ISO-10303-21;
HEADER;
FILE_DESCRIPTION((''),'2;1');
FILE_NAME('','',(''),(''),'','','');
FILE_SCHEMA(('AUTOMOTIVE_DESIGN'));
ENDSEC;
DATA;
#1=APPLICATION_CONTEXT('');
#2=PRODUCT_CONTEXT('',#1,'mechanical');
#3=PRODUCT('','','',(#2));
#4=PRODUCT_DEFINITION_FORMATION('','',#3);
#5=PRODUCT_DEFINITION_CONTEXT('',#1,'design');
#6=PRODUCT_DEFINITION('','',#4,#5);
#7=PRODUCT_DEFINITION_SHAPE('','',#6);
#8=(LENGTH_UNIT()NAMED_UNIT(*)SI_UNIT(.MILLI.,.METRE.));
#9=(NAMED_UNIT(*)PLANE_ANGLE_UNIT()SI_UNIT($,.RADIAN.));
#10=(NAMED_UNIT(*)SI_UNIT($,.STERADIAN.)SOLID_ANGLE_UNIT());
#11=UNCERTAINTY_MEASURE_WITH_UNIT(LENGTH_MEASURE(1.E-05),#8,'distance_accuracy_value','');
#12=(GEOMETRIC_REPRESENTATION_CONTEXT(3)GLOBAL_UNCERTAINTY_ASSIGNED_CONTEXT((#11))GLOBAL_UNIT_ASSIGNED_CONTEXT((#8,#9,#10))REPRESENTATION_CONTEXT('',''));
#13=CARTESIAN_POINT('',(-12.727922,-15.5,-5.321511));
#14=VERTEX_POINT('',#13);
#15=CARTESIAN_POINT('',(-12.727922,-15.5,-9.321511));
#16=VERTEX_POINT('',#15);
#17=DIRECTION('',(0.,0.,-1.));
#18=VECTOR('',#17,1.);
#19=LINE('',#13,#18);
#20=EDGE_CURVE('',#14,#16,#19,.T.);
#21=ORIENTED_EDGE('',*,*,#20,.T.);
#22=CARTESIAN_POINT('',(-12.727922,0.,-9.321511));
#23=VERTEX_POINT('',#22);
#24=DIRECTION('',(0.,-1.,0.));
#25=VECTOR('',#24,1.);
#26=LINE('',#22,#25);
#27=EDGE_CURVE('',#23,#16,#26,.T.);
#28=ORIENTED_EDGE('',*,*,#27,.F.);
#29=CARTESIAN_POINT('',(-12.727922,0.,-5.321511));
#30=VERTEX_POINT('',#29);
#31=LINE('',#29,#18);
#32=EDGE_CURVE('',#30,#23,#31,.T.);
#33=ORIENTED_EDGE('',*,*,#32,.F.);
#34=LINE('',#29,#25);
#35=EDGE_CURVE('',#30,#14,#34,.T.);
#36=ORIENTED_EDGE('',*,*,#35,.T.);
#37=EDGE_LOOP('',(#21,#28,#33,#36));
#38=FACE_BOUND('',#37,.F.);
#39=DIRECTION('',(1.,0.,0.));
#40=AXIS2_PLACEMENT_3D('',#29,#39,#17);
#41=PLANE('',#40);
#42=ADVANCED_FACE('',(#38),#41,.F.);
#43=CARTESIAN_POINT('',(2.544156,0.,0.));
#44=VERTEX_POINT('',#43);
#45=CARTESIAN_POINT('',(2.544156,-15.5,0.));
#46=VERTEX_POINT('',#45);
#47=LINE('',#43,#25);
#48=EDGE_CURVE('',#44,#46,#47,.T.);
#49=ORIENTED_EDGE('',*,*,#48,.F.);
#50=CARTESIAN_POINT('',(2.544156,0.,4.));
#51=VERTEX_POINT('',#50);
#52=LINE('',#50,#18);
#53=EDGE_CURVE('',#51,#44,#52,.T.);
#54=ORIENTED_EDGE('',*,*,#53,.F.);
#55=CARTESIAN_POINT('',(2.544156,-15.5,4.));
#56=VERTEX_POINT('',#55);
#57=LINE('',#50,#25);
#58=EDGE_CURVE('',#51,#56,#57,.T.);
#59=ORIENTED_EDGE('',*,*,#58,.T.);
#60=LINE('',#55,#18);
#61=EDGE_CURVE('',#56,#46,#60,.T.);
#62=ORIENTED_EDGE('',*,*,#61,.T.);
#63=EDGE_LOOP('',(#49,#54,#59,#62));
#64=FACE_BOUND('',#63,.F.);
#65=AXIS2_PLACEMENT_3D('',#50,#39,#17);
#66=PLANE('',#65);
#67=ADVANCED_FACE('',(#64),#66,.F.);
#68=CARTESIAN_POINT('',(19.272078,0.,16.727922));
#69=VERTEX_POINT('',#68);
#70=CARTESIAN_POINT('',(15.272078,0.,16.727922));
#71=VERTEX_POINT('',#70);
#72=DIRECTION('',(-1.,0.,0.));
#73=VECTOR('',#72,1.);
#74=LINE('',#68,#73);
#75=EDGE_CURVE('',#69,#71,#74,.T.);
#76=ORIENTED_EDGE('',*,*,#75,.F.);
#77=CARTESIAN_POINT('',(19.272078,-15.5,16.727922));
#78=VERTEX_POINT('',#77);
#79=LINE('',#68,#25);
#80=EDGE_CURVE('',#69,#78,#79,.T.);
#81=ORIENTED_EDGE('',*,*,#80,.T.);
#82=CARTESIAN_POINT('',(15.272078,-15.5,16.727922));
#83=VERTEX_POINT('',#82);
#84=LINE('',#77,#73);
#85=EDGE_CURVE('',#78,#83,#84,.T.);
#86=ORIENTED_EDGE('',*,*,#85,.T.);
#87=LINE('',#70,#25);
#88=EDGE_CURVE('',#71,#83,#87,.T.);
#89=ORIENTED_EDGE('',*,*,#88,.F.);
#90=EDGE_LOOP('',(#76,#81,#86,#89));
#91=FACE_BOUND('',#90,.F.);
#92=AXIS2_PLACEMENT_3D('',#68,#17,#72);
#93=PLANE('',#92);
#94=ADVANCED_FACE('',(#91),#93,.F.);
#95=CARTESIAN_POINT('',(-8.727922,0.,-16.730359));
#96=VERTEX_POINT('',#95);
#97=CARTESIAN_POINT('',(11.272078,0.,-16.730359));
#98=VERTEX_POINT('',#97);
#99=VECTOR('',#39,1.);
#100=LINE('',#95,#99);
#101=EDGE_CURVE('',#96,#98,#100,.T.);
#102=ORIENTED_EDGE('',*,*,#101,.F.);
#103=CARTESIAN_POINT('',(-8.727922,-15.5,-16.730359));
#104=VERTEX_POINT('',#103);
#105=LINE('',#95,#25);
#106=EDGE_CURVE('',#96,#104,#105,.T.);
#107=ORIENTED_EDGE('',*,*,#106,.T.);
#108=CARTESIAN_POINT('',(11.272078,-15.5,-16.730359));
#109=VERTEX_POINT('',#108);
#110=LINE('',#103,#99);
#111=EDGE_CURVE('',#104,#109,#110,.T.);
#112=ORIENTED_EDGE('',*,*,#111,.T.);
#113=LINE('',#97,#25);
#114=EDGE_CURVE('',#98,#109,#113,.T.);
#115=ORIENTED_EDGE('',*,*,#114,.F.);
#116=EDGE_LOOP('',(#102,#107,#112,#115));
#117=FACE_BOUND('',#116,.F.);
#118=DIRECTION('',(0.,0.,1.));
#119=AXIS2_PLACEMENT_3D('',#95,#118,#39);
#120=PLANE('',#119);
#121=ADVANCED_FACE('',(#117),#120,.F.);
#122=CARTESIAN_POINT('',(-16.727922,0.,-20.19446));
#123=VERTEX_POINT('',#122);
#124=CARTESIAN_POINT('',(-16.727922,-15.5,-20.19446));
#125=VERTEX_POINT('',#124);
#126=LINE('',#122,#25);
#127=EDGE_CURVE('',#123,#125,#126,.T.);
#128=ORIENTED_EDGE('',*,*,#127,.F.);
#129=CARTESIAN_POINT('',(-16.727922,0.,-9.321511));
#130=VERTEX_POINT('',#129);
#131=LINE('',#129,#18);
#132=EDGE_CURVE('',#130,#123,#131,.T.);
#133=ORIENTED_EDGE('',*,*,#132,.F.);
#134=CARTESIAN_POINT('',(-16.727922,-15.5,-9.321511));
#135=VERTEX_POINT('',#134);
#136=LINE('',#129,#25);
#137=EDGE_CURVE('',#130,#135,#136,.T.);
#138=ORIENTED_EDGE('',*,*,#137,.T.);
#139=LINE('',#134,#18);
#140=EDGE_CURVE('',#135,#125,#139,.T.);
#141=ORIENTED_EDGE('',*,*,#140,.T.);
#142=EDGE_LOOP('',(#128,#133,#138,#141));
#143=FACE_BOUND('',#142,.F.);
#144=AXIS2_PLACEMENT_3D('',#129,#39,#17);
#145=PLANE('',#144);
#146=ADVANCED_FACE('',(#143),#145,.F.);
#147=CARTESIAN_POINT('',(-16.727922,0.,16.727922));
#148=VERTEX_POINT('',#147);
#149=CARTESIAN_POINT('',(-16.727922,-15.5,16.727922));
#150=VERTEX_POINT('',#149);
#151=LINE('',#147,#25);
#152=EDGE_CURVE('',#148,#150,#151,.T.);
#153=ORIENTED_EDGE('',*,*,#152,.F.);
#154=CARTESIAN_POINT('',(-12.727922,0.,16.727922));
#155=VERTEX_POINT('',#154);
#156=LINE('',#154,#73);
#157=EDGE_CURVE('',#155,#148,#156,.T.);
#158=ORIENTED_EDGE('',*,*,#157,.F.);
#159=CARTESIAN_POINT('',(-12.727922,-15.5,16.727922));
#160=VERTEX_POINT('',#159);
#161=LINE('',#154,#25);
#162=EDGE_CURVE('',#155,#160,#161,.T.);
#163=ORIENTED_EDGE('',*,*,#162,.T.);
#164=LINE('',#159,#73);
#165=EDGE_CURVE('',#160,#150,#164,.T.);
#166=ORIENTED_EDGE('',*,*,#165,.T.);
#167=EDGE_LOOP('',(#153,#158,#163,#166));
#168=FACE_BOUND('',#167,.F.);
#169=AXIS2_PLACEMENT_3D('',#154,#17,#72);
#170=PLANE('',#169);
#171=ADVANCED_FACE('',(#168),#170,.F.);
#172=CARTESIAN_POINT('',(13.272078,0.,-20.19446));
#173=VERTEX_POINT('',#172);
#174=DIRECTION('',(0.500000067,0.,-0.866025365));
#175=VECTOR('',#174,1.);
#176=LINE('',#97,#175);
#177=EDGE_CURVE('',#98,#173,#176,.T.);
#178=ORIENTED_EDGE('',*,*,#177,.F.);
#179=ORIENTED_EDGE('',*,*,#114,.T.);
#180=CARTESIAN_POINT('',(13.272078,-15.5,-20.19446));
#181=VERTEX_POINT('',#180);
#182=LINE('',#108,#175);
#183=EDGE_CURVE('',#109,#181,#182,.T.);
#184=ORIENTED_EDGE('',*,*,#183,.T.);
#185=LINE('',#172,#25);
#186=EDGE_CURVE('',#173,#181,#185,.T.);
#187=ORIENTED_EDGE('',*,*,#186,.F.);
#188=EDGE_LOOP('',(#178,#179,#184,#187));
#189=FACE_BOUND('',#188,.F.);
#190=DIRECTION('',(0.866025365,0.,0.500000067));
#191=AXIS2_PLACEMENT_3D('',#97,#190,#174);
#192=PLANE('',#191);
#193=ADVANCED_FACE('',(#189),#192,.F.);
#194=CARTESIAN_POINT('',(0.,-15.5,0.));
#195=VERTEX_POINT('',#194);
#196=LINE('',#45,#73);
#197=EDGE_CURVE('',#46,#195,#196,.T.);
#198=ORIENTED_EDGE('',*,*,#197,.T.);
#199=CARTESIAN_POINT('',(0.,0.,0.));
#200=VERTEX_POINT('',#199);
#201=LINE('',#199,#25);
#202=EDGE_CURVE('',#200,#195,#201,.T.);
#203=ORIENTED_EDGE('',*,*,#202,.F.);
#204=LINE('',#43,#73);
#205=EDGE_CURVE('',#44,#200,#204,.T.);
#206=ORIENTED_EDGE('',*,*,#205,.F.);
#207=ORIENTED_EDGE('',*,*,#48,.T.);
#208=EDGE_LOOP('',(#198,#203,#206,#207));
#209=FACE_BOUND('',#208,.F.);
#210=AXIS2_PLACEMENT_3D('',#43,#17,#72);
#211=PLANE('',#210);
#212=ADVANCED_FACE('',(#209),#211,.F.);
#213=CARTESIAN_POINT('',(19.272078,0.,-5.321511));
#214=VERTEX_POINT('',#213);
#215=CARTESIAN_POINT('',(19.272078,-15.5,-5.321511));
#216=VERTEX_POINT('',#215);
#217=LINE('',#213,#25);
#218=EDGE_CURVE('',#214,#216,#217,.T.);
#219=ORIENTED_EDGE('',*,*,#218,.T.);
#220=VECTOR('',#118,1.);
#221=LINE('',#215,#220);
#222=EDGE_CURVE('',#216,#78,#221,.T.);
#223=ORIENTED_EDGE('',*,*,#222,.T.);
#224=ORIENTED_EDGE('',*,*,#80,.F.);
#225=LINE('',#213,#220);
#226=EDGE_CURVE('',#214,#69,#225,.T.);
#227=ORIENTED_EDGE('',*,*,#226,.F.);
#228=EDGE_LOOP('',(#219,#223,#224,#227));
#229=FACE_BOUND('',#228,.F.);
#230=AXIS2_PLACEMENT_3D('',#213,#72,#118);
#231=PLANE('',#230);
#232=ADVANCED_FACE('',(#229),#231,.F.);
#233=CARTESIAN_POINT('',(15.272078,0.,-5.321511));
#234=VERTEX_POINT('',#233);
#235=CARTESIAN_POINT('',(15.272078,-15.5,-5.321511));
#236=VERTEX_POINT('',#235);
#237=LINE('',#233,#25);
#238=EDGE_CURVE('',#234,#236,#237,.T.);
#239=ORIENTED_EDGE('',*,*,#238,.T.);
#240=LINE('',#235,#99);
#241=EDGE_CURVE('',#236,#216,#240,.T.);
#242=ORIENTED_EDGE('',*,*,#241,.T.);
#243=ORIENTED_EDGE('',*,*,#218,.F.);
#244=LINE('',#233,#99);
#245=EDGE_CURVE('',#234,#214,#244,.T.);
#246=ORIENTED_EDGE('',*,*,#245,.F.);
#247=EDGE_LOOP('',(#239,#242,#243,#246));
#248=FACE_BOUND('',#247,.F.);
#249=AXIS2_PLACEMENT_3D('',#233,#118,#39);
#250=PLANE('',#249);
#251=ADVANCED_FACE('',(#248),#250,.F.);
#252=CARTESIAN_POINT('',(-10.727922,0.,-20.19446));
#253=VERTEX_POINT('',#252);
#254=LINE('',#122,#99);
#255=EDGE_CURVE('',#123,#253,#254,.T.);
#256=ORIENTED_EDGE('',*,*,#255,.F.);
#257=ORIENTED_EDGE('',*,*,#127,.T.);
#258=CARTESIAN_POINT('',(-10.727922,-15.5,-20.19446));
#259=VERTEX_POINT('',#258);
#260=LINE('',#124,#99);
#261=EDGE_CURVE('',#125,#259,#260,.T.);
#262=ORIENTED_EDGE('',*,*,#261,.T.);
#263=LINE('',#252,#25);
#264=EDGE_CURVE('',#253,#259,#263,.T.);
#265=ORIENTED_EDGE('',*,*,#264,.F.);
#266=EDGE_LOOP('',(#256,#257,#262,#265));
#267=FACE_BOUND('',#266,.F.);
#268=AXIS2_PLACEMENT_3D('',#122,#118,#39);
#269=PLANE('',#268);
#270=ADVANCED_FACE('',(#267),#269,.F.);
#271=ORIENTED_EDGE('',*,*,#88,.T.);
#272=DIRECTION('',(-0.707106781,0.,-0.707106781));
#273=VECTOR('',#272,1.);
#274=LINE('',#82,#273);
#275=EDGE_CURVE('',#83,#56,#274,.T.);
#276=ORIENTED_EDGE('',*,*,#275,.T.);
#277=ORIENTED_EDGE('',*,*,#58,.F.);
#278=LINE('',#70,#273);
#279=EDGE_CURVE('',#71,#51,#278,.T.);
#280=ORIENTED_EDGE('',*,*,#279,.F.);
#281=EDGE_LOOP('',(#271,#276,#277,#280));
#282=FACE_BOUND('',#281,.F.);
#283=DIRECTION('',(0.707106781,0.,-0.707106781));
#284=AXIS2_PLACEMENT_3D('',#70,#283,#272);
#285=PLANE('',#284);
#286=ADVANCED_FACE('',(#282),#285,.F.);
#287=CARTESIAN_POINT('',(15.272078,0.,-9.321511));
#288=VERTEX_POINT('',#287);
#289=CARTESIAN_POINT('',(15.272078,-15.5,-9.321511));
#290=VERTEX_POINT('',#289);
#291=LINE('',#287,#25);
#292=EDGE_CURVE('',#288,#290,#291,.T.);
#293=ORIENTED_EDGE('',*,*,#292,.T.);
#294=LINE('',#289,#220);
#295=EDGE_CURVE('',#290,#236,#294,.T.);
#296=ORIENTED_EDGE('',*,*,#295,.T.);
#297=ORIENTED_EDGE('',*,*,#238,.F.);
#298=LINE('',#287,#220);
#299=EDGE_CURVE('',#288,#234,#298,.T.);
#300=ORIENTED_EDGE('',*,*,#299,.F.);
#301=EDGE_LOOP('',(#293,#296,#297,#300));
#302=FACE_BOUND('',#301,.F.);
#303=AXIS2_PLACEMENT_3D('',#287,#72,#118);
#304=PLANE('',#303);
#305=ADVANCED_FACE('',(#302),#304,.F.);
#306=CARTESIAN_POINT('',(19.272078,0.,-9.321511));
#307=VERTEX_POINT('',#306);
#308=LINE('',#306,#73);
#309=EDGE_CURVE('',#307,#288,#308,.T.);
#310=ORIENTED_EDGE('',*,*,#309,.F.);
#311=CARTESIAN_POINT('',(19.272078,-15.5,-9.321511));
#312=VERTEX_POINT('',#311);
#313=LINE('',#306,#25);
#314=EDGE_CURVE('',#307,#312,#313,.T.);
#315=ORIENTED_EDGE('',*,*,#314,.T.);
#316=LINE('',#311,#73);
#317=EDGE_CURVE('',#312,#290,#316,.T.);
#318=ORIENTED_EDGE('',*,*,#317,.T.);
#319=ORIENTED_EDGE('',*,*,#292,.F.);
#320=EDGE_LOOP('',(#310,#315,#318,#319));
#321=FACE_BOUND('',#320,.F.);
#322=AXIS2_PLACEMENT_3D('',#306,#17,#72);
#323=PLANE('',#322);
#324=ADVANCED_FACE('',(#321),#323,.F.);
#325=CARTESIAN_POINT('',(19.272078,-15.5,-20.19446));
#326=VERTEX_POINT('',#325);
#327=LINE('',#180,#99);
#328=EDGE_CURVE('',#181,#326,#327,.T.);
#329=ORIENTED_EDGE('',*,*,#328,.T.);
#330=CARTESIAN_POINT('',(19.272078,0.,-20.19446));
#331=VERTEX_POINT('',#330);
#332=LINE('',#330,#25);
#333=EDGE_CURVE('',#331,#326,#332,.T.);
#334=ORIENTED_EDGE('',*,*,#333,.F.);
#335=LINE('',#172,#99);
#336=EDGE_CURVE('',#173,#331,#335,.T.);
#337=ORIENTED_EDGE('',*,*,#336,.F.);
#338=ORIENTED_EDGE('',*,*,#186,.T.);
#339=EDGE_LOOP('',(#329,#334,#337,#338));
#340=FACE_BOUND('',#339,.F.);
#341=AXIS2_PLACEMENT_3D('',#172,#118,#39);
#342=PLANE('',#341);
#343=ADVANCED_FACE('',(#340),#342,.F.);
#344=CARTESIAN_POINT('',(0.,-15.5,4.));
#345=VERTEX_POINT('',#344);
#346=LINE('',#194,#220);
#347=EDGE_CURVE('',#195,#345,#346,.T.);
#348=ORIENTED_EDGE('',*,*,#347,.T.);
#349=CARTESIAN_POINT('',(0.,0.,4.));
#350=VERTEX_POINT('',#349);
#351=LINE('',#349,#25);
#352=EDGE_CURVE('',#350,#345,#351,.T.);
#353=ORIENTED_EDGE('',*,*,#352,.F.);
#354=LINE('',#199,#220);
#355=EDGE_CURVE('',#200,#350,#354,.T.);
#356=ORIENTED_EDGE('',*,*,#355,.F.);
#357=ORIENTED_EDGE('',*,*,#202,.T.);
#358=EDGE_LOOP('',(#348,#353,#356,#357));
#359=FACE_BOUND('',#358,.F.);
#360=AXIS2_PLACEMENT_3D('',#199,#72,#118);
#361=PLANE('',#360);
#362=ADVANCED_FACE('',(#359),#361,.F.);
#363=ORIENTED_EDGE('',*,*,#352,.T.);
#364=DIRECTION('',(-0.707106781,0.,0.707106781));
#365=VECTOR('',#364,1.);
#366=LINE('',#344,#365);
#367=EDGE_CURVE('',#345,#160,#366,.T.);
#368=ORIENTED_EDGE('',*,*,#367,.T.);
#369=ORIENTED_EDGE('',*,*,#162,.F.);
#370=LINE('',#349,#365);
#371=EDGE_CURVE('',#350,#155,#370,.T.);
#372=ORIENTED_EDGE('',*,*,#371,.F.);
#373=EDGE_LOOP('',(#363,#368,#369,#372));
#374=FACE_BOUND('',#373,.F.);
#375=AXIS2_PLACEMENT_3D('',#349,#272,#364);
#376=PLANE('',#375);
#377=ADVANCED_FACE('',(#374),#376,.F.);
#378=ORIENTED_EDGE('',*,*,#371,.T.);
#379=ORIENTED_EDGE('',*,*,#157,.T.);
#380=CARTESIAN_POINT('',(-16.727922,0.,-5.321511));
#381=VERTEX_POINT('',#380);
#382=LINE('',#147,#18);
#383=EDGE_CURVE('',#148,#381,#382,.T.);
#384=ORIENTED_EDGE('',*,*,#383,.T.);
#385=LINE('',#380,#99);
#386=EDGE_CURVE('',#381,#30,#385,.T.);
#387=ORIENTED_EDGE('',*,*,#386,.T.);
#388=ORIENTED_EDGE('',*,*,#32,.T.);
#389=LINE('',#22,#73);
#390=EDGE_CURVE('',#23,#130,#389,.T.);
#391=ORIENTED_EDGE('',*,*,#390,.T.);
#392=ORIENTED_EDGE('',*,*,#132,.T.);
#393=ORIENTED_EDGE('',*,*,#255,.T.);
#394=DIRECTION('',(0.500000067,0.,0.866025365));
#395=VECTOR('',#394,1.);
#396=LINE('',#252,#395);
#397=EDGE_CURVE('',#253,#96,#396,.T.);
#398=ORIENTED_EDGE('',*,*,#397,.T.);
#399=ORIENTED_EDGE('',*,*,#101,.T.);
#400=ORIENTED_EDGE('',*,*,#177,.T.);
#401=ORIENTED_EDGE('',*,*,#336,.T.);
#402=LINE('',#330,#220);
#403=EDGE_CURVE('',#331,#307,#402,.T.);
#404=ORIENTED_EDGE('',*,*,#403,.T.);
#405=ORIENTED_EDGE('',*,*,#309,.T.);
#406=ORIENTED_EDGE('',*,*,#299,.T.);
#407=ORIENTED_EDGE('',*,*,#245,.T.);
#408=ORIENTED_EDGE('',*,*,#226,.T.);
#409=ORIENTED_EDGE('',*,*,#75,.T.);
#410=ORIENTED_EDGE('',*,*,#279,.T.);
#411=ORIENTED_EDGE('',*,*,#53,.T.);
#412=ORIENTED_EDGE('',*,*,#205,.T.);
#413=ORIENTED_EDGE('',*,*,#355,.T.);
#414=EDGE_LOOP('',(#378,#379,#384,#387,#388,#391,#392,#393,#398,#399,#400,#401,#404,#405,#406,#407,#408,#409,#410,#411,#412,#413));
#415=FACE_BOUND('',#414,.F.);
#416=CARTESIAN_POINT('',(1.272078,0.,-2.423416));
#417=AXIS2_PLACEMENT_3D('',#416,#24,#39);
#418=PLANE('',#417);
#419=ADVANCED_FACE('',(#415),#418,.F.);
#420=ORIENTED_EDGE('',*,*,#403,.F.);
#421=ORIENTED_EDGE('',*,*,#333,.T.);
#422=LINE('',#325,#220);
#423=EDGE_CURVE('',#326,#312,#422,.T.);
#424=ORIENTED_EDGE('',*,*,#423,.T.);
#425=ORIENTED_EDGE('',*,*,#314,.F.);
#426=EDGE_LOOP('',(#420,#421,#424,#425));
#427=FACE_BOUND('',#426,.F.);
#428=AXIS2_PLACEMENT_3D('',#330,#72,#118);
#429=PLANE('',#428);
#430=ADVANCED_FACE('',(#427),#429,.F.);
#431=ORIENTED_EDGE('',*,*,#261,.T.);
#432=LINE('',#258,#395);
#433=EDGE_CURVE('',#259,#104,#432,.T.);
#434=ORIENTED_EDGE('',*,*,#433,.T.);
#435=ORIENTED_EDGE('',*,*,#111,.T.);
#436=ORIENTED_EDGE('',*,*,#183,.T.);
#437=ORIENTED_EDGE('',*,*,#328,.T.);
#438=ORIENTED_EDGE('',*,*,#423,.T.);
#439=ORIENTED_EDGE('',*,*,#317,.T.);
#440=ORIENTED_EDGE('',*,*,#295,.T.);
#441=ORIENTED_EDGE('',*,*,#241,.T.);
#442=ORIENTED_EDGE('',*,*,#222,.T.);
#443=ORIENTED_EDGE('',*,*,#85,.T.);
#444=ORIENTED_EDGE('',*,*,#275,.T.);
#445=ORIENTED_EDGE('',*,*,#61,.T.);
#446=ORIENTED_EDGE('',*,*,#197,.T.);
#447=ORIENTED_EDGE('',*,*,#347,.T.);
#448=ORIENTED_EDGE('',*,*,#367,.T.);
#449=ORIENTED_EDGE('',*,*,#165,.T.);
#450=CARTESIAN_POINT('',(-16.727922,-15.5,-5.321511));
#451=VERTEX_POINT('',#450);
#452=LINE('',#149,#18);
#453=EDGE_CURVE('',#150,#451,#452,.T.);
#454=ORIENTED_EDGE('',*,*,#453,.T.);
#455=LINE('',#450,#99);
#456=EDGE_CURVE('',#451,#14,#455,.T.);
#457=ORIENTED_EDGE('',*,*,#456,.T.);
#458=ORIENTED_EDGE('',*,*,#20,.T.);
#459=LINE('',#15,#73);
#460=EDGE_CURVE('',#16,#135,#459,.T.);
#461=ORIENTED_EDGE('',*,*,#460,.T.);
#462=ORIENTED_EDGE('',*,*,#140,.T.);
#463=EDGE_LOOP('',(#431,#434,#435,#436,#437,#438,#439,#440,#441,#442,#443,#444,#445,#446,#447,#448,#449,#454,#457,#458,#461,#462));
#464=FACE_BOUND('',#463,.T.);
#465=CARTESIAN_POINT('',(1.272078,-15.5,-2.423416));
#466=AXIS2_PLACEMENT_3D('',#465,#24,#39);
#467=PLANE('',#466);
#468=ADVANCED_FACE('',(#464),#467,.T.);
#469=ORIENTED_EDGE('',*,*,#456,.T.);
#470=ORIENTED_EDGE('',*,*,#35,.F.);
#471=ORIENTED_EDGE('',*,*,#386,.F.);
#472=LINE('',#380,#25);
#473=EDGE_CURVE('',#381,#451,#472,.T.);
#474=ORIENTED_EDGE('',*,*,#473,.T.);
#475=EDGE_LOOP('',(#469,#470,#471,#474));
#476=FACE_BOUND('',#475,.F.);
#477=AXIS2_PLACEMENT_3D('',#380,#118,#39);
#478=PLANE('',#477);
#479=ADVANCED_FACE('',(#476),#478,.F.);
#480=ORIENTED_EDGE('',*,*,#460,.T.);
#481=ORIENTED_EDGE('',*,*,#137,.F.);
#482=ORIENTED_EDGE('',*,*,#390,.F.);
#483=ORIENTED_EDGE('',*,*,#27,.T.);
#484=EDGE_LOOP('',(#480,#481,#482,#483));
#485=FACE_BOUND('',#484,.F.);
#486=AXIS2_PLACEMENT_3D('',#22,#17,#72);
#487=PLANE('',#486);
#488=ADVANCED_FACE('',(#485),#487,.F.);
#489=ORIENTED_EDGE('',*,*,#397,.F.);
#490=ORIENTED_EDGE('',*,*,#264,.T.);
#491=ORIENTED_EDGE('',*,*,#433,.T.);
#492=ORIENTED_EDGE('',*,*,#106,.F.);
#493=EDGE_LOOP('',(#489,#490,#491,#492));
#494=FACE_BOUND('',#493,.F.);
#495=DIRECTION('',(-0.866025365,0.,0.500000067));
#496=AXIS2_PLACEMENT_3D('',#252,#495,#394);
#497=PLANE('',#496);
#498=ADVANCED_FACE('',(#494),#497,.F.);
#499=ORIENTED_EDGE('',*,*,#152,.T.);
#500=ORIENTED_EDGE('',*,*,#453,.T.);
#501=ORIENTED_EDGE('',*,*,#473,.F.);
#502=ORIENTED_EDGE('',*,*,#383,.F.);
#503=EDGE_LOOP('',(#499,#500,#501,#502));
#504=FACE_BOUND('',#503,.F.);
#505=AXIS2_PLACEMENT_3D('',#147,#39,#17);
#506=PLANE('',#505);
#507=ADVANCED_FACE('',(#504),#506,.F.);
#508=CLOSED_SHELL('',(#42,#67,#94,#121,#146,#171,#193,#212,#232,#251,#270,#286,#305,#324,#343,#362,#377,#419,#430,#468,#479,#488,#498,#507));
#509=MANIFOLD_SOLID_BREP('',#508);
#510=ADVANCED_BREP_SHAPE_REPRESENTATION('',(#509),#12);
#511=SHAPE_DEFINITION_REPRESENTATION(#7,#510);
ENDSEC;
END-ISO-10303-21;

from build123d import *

# Parameters (mm, degrees)
F1_DEPTH = 15.5


with BuildPart() as f1:
    # F0 (on Front) → F1 (new body)
    with BuildSketch(Plane.XZ):
        Polygon((2.544156, 0), (1.272078, 0), (0, 0), (0, 4), (-12.727922, 16.727922), (-16.727922, 16.727922), (-16.727922, -5.321511), (-12.727922, -5.321511), (-12.727922, -9.321511), (-16.727922, -9.321511), (-16.727922, -20.19446), (-10.727922, -20.19446), (-8.727922, -16.730359), (1.272078, -16.730359), (11.272078, -16.730359), (13.272078, -20.19446), (19.272078, -20.19446), (19.272078, -9.321511), (15.272078, -9.321511), (15.272078, -5.321511), (19.272078, -5.321511), (19.272078, 16.727922), (15.272078, 16.727922), (2.544156, 4), align=None)
    extrude(amount=F1_DEPTH)


solid = f1.part
